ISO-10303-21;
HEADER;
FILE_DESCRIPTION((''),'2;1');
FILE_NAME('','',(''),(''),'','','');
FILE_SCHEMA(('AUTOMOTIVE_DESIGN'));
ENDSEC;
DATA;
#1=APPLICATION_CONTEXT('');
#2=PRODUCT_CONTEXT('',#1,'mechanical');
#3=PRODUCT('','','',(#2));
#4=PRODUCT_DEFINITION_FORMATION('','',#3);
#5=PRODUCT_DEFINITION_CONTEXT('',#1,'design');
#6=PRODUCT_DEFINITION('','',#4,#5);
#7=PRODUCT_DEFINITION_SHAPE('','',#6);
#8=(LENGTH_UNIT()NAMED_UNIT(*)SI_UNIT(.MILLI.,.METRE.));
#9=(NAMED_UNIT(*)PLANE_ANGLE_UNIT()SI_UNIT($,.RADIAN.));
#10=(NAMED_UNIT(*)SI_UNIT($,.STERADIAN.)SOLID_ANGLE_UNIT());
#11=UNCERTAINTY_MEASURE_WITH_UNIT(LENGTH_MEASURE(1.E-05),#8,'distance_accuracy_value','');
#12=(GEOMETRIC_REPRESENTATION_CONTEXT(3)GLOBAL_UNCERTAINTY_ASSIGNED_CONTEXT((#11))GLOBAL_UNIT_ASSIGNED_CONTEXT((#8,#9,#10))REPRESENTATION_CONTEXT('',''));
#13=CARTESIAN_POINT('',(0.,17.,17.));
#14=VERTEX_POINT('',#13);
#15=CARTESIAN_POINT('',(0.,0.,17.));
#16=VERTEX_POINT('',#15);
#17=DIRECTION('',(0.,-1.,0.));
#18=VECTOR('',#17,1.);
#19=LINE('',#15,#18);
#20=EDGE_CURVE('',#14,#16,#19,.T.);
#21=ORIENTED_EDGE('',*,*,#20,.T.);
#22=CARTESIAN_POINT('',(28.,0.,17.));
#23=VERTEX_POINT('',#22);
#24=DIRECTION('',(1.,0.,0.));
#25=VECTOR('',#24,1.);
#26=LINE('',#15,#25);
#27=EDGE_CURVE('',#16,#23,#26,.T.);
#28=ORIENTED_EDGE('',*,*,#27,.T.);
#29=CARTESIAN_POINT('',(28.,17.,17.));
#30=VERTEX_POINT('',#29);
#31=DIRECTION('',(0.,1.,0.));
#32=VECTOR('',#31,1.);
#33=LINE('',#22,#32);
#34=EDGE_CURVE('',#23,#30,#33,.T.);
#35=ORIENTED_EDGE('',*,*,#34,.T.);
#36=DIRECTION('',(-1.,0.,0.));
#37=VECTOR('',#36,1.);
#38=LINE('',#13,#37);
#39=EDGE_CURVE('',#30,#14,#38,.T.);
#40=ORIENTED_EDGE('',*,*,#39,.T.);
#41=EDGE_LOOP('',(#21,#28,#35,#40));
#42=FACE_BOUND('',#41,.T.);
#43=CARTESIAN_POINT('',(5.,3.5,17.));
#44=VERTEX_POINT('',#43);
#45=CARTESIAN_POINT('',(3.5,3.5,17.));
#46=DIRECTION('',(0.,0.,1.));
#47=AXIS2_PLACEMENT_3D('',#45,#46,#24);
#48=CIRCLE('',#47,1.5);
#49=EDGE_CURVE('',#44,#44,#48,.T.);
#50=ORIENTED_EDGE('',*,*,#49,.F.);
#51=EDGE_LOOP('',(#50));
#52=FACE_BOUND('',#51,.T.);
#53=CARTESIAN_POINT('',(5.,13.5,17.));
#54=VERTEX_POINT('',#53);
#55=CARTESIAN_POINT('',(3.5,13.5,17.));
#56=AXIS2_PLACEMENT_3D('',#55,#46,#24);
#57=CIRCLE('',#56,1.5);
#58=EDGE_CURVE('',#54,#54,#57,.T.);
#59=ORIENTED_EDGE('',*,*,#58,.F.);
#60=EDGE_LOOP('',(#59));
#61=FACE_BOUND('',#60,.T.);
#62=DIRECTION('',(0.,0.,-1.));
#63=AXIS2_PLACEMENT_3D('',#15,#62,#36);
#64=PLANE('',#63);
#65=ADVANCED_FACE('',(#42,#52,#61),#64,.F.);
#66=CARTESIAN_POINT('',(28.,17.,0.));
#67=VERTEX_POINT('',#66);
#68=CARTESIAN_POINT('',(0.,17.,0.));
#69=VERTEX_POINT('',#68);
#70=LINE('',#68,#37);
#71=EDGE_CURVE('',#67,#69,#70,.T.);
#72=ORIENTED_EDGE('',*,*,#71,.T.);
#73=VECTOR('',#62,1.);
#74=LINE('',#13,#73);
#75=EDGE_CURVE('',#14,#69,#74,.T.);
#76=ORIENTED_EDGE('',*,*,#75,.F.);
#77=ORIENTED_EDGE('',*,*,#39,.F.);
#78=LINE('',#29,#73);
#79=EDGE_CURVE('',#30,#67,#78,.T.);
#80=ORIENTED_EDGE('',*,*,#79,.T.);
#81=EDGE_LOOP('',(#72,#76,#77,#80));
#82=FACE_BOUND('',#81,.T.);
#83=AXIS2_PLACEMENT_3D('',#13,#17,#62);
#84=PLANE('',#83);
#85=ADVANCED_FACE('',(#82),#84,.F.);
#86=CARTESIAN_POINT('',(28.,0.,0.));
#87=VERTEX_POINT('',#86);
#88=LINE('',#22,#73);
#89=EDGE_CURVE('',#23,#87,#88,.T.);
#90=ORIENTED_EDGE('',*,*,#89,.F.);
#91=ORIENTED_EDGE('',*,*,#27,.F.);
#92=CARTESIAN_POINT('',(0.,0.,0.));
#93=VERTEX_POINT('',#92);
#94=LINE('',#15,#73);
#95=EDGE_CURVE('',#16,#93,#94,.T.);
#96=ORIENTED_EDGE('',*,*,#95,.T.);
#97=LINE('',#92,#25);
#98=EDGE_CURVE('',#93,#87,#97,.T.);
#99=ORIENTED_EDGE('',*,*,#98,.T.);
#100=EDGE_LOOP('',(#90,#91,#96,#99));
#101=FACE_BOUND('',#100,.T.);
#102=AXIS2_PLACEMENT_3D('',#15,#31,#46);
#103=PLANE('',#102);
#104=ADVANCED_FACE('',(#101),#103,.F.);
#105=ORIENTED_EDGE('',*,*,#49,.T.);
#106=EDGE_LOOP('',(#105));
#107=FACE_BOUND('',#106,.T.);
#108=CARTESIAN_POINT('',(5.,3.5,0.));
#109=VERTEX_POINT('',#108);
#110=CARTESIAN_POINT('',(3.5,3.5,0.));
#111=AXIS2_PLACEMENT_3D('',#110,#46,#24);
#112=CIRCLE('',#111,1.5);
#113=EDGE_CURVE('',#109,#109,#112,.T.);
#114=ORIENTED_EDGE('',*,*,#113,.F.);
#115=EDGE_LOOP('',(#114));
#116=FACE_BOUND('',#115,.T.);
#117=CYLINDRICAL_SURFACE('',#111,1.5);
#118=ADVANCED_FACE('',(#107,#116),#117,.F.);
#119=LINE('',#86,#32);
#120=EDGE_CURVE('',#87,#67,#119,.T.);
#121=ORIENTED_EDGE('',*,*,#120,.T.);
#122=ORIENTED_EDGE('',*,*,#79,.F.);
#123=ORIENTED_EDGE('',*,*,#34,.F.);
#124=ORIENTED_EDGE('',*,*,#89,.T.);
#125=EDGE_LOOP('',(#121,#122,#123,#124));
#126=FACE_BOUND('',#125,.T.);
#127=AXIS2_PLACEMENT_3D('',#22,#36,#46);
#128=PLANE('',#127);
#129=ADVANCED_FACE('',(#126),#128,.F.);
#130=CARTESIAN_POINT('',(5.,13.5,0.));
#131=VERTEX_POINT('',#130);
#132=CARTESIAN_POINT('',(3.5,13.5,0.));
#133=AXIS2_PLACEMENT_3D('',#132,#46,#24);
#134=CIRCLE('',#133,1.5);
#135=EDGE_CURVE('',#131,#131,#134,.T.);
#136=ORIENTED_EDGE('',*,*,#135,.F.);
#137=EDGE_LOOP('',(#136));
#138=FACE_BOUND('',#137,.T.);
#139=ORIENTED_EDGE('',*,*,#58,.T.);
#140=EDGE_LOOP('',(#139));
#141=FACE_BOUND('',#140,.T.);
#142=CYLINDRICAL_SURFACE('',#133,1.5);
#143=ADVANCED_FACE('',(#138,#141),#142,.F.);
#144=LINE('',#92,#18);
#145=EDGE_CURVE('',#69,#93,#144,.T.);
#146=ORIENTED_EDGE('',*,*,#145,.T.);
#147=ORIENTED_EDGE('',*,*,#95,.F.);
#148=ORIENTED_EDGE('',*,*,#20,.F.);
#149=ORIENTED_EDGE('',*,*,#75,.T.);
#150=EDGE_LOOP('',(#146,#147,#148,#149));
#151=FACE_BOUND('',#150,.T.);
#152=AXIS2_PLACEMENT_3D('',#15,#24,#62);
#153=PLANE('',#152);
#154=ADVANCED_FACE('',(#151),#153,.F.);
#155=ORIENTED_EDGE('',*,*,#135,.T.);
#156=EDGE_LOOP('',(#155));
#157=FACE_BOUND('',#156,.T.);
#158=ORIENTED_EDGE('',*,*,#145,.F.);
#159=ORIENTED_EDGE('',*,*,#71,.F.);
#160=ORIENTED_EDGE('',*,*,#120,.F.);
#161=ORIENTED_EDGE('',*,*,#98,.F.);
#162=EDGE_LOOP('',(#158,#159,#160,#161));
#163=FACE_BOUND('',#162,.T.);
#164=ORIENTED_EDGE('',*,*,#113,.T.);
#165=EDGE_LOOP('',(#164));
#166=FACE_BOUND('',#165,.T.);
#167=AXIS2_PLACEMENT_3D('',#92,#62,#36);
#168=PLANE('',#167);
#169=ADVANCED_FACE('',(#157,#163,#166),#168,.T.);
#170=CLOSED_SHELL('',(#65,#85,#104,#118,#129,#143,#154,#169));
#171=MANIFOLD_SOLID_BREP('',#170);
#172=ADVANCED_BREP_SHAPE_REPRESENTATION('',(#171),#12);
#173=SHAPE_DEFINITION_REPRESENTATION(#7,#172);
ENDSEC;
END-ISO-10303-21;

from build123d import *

# Parameters (mm, degrees)
SKETCH_1_W          = 28
SKETCH_1_H          = 17
EXTRUDE_1_DEPTH     = 17
SKETCH_2_R          = 1.5
CUT_EXTRUDE_1_DEPTH = 37.905284174


with BuildPart() as part:
    # 草图1 → 凸台-拉伸1 (new body)
    with BuildSketch(Plane.XY):
        with Locations((14, 8.5)):
            Rectangle(SKETCH_1_W, SKETCH_1_H)
    extrude(amount=EXTRUDE_1_DEPTH)

    # 草图2 → 切除-拉伸1 (cut, through all)
    with BuildSketch(Plane.XY.offset(17)):
        with Locations((3.5, 13.5)):
            Circle(SKETCH_2_R)
        with Locations((3.5, 3.5)):
            Circle(SKETCH_2_R)
    extrude(amount=-CUT_EXTRUDE_1_DEPTH, mode=Mode.SUBTRACT)


solid = part.part
